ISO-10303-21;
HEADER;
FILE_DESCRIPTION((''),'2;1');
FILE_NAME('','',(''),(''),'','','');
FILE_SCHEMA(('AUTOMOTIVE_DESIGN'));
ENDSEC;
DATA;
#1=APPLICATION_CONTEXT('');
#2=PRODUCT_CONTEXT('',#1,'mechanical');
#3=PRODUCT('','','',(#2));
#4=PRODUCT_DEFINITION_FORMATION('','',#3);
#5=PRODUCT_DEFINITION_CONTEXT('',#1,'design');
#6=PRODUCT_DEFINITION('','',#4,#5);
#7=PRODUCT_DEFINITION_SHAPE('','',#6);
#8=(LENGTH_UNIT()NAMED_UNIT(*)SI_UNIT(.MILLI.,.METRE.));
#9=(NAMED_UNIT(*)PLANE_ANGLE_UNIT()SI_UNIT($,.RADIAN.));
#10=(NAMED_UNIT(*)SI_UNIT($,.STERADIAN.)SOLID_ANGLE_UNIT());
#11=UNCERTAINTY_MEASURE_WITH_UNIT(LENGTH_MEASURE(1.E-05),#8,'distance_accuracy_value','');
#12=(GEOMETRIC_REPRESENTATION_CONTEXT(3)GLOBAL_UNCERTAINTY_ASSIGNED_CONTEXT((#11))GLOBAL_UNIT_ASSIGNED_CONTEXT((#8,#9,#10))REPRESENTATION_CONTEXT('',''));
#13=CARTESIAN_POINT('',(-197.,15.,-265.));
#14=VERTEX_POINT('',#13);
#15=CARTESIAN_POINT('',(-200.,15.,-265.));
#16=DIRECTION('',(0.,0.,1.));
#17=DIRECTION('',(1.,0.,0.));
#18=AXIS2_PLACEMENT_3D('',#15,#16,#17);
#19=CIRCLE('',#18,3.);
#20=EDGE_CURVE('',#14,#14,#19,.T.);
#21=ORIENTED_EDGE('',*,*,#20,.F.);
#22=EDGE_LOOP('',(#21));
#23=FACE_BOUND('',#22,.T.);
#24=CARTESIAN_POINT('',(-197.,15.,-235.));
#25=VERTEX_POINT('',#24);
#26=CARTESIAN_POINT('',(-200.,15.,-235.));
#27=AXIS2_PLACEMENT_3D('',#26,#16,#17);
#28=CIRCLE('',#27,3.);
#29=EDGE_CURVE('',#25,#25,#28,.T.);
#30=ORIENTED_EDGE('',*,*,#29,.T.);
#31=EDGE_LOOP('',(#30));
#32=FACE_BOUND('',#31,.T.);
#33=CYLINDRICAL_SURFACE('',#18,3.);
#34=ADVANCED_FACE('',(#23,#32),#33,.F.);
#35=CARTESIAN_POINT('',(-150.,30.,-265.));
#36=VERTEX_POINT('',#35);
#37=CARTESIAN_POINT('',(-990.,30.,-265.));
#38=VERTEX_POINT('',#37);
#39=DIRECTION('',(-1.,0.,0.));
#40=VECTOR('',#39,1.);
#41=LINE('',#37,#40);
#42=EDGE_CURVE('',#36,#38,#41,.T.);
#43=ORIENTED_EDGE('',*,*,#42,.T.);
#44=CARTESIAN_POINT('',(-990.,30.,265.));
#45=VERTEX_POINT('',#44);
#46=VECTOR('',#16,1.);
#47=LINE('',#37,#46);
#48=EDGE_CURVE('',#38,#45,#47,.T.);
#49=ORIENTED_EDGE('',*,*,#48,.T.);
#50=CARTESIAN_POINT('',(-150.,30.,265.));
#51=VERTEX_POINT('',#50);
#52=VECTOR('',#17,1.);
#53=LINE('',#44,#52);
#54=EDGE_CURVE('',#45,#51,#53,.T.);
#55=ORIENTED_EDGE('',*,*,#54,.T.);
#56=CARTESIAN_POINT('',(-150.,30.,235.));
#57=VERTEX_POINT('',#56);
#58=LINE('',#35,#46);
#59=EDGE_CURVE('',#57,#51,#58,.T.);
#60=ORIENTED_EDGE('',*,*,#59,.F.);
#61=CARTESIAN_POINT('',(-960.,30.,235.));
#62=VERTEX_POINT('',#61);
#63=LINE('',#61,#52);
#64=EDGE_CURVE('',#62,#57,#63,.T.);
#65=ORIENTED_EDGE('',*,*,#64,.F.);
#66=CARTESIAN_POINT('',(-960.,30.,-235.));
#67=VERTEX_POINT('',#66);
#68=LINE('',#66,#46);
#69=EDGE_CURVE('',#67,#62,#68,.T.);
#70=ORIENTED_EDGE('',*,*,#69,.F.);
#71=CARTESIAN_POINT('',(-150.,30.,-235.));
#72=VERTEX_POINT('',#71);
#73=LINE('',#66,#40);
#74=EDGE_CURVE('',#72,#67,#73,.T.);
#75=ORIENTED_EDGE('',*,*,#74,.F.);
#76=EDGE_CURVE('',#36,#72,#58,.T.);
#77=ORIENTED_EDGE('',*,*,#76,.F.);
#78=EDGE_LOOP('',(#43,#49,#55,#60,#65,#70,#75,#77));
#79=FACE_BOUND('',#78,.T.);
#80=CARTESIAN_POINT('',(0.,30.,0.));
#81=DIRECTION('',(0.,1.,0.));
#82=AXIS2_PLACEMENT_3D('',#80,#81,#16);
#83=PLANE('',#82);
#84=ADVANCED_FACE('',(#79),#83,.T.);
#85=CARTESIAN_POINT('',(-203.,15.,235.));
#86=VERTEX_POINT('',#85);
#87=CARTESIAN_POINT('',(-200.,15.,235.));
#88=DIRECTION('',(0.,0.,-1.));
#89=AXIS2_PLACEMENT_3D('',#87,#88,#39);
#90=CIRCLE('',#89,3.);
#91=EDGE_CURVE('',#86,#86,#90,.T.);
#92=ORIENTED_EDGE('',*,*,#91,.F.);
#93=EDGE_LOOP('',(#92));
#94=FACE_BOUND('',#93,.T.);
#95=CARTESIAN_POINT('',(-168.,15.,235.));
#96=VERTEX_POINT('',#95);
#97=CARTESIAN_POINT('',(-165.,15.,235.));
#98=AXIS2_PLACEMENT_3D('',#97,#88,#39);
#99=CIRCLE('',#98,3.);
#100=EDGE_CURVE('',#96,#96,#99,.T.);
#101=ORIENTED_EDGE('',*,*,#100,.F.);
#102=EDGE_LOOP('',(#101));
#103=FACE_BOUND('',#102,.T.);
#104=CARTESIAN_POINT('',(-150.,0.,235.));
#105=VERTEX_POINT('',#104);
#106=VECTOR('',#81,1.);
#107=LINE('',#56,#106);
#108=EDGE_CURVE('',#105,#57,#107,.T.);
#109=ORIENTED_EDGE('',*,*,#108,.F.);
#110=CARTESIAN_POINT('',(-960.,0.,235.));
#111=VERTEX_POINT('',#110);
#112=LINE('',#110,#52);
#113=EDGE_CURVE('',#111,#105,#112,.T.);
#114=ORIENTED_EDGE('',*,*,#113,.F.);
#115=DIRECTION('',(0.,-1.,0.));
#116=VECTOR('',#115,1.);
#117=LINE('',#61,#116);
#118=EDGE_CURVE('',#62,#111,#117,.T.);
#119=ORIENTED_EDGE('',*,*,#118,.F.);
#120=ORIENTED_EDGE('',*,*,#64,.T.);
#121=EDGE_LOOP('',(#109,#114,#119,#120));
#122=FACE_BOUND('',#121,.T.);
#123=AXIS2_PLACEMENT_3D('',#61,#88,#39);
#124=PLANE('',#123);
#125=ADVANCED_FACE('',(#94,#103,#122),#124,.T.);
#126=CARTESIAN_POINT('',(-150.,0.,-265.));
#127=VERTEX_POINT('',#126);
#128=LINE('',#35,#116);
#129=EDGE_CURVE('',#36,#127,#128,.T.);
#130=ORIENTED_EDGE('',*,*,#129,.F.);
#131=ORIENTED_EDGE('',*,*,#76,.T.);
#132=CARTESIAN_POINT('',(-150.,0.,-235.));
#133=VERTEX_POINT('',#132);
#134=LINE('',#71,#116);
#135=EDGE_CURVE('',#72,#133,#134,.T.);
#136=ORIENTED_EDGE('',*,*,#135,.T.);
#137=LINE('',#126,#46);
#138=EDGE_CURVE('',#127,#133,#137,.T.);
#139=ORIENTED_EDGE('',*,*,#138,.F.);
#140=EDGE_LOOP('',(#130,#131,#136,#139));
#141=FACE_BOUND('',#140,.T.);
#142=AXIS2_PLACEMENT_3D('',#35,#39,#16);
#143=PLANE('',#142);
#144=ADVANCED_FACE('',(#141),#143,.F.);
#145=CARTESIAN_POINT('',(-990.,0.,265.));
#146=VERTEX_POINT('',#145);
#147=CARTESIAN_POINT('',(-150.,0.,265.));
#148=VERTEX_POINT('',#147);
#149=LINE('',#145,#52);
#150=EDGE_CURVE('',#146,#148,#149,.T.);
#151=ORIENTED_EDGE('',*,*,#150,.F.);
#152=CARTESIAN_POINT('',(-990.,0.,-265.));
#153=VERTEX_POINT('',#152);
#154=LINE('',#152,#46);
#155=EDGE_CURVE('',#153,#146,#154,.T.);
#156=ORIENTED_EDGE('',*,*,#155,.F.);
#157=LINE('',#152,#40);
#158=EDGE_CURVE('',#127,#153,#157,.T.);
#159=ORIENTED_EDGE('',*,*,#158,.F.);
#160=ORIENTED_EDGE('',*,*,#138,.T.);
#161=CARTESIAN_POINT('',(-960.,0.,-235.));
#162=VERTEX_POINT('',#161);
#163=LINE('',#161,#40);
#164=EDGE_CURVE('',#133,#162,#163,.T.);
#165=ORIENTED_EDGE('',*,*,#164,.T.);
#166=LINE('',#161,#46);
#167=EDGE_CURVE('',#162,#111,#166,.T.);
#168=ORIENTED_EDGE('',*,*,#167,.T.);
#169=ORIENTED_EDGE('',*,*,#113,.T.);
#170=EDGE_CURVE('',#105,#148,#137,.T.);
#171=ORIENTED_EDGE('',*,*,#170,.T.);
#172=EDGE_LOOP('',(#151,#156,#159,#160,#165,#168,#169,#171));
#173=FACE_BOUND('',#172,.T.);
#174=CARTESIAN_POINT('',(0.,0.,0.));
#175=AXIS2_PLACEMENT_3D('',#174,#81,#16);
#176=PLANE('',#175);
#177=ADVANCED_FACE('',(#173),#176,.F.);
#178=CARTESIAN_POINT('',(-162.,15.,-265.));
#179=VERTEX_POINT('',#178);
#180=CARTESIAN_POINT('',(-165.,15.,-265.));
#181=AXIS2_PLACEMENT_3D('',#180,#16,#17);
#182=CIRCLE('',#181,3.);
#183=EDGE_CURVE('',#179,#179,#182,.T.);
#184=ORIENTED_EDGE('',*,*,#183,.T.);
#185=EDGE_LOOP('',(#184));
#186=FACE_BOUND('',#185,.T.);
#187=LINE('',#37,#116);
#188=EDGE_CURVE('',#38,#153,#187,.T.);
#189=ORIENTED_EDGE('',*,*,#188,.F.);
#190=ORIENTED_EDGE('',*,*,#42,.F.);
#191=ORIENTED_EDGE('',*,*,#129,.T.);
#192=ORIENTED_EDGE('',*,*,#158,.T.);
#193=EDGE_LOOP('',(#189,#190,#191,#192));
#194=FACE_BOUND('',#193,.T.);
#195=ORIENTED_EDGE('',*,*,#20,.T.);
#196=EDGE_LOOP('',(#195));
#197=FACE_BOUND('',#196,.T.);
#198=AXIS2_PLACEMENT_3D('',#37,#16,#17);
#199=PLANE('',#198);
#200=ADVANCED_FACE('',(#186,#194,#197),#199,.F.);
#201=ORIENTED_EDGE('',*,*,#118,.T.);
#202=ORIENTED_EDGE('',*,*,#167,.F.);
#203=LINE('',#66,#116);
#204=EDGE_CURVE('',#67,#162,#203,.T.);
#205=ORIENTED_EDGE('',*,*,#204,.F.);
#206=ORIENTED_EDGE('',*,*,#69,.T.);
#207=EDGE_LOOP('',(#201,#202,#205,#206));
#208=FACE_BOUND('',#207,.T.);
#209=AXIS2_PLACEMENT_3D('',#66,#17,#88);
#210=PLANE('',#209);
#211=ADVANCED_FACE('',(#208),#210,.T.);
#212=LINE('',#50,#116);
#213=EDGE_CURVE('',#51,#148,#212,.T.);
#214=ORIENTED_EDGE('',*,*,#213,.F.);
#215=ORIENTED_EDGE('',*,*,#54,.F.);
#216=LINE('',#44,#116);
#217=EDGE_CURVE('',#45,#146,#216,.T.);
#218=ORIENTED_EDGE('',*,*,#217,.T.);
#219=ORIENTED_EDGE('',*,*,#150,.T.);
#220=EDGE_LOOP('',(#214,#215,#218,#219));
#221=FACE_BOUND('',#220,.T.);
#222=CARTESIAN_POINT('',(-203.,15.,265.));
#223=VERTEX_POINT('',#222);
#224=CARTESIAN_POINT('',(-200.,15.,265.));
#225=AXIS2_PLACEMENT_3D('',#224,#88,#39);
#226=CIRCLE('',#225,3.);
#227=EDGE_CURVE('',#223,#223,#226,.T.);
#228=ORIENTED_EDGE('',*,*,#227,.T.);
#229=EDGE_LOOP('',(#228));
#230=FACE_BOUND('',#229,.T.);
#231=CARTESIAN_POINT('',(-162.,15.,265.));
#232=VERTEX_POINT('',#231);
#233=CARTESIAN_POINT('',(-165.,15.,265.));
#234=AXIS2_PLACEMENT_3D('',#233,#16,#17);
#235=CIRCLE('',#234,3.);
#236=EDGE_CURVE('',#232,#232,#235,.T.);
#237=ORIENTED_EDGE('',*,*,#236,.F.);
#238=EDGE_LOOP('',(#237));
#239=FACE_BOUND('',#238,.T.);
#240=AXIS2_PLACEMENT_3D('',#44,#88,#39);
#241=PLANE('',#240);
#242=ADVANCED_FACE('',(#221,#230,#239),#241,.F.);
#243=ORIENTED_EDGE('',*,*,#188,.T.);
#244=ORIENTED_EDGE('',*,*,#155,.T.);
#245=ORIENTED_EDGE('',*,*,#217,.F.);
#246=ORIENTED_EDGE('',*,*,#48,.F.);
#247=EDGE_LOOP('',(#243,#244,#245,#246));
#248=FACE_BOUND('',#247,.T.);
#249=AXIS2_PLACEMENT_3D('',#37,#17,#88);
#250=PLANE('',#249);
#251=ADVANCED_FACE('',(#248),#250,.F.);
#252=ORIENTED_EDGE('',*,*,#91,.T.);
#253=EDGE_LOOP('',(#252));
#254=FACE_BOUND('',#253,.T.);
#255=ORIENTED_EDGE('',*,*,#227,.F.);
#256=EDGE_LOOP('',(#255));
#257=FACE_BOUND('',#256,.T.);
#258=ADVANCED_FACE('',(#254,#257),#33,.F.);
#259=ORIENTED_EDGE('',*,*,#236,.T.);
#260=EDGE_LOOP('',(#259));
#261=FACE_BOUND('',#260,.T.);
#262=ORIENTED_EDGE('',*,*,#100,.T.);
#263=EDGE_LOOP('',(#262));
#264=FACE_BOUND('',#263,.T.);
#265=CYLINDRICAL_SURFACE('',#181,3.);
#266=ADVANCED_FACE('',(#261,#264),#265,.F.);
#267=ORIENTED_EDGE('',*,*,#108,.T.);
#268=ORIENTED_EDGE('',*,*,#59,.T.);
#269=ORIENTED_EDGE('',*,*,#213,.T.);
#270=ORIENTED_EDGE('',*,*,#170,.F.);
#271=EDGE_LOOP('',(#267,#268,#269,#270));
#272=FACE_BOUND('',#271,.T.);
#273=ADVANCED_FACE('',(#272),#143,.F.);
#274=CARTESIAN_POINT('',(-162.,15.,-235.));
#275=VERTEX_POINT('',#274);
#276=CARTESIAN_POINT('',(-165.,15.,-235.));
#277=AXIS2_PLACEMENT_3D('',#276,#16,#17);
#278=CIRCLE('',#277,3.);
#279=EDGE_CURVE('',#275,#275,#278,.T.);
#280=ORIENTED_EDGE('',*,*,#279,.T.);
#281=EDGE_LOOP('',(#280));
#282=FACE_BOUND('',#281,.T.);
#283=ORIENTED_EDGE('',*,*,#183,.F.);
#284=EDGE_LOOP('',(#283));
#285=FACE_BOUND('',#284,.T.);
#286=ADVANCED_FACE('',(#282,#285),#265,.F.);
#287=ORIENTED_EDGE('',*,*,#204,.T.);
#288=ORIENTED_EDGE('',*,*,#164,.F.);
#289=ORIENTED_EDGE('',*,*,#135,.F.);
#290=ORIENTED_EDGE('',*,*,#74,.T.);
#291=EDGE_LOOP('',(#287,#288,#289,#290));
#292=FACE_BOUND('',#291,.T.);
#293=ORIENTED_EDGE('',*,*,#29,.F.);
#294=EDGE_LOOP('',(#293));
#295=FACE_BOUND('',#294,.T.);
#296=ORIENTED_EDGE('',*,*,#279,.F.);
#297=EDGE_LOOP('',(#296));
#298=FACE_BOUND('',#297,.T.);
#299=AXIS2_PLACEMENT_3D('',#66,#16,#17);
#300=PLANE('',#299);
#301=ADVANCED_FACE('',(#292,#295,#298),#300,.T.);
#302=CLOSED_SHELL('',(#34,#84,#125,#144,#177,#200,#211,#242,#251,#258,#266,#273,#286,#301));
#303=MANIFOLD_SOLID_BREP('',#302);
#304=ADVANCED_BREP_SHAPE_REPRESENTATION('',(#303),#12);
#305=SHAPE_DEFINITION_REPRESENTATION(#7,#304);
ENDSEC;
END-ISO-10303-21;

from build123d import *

# Parameters (mm, degrees)
SKETCH_1_W               = 1980
SKETCH_1_H               = 530
SKETCH_1_W_2             = 1920
SKETCH_1_H_2             = 470
EXTRUDE_1_DEPTH          = 30
SKETCH_2_W               = 68
SKETCH_2_H               = 30
EXTRUDE_2_DEPTH          = 68
SKETCH_3_R               = 23.5
CUT_EXTRUDE_1_DEPTH      = 1125.999555555
SKETCH_4_W               = 31
SKETCH_4_H               = 470
EXTRUDE_3_DEPTH          = 30
SKETCH_5_R               = 3
CUT_EXTRUDE_2_DEPTH      = 1030.528532873
SKETCH_6_R               = 3
CUT_EXTRUDE_3_DEPTH      = 1030.528532873
SKETCH_7_W               = 1260.245327066
SKETCH_7_H               = 30
CUT_EXTRUDE_4_DEPTH      = 1125.999555555
CUT_EXTRUDE_5_DEPTH      = 1124.343224487
CUT_EXTRUDE_5_DEPTH_BACK = 1124.343224487
SKETCH_8_R               = 3
SKETCH_9_R               = 3
CUT_EXTRUDE_6_DEPTH      = 1124.343224487


with BuildPart() as part:
    # 草图1 → 凸台-拉伸1 (new body)
    with BuildSketch(Plane(origin=(0, 0, 0), x_dir=(1, 0, 0), z_dir=(0, 1, 0))):
        Rectangle(SKETCH_1_W, SKETCH_1_H)
        Rectangle(SKETCH_1_W_2, SKETCH_1_H_2, mode=Mode.SUBTRACT)
    extrude(amount=EXTRUDE_1_DEPTH)

    # 草图2 → 凸台-拉伸2 (add)
    with BuildSketch(Plane.XZ):
        with Locations((0, 250)):
            Rectangle(SKETCH_2_W, SKETCH_2_H)
        with Locations((0, -250)):
            Rectangle(SKETCH_2_W, SKETCH_2_H)
    extrude(amount=EXTRUDE_2_DEPTH)

    # 草图3 → 切除-拉伸1 (cut, through all)
    with BuildSketch(Plane.XY.offset(265)):
        with Locations((0, -30)):
            Circle(SKETCH_3_R)
    extrude(amount=-CUT_EXTRUDE_1_DEPTH, mode=Mode.SUBTRACT)

    # 草图4 → 凸台-拉伸3 (add)
    with BuildSketch(Plane(origin=(0, 30, 0), x_dir=(1, 0, 0), z_dir=(0, 1, 0))):
        with Locations((764.5, 0)):
            Rectangle(SKETCH_4_W, SKETCH_4_H)
    extrude(amount=-EXTRUDE_3_DEPTH)

    # 草图5 → 切除-拉伸2 (cut, through all)
    with BuildSketch(Plane(origin=(0, 30, 0), x_dir=(1, 0, 0), z_dir=(0, 1, 0))):
        with Locations(Location((759, 180, 0), (0, 0, 270))):
            Circle(SKETCH_5_R)
        with Locations(Location((774.5, 180, 0), (0, 0, 270))):
            Circle(SKETCH_5_R)
        with Locations(Location((759, -180, 0), (0, 0, 270))):
            Circle(SKETCH_5_R)
        with Locations(Location((774.5, -180, 0), (0, 0, 270))):
            Circle(SKETCH_5_R)
    extrude(amount=-CUT_EXTRUDE_2_DEPTH, mode=Mode.SUBTRACT)

    # 草图6 → 切除-拉伸3 (cut, symmetric)
    with BuildSketch(Plane(origin=(0, 30, 0), x_dir=(1, 0, 0), z_dir=(0, 1, 0))):
        with Locations(Location((840, -250, 0), (0, 0, 270))):
            Circle(SKETCH_6_R)
    cut_extrude_3 = extrude(amount=CUT_EXTRUDE_3_DEPTH, both=True, mode=Mode.SUBTRACT)

    # 镜向1: 切除-拉伸3 across plane
    add(cut_extrude_3.mirror(Plane.XY), mode=Mode.SUBTRACT)

    # 草图7 → 切除-拉伸4 (cut, through all)
    with BuildSketch(Plane.XY.offset(265)):
        with Locations((480.122663533, 15)):
            Rectangle(SKETCH_7_W, SKETCH_7_H)
    extrude(amount=-CUT_EXTRUDE_4_DEPTH, mode=Mode.SUBTRACT)


with BuildPart() as body_2:
    # of the pieces the cut leaves, the one that is kept (cut_extrude_4_keep)
    add(part.part.solids().sort_by_distance((-990, 0, -265))[0])

    # 草图8 → 切除-拉伸5 (cut, two sides: drawn at the far end of the back side and taken through both)
    with BuildSketch(Plane.XY.offset(265).offset(-CUT_EXTRUDE_5_DEPTH_BACK)):
        with Locations(Location((-200, 15, 0), (0, 0, 180))):
            Circle(SKETCH_8_R)
    extrude(amount=CUT_EXTRUDE_5_DEPTH + CUT_EXTRUDE_5_DEPTH_BACK, mode=Mode.SUBTRACT)

    # 草图9 → 切除-拉伸6 (cut, through all)
    with BuildSketch(Plane.XY.offset(265)):
        with Locations((-165, 15)):
            Circle(SKETCH_9_R)
    extrude(amount=-CUT_EXTRUDE_6_DEPTH, mode=Mode.SUBTRACT)


solid = body_2.part
